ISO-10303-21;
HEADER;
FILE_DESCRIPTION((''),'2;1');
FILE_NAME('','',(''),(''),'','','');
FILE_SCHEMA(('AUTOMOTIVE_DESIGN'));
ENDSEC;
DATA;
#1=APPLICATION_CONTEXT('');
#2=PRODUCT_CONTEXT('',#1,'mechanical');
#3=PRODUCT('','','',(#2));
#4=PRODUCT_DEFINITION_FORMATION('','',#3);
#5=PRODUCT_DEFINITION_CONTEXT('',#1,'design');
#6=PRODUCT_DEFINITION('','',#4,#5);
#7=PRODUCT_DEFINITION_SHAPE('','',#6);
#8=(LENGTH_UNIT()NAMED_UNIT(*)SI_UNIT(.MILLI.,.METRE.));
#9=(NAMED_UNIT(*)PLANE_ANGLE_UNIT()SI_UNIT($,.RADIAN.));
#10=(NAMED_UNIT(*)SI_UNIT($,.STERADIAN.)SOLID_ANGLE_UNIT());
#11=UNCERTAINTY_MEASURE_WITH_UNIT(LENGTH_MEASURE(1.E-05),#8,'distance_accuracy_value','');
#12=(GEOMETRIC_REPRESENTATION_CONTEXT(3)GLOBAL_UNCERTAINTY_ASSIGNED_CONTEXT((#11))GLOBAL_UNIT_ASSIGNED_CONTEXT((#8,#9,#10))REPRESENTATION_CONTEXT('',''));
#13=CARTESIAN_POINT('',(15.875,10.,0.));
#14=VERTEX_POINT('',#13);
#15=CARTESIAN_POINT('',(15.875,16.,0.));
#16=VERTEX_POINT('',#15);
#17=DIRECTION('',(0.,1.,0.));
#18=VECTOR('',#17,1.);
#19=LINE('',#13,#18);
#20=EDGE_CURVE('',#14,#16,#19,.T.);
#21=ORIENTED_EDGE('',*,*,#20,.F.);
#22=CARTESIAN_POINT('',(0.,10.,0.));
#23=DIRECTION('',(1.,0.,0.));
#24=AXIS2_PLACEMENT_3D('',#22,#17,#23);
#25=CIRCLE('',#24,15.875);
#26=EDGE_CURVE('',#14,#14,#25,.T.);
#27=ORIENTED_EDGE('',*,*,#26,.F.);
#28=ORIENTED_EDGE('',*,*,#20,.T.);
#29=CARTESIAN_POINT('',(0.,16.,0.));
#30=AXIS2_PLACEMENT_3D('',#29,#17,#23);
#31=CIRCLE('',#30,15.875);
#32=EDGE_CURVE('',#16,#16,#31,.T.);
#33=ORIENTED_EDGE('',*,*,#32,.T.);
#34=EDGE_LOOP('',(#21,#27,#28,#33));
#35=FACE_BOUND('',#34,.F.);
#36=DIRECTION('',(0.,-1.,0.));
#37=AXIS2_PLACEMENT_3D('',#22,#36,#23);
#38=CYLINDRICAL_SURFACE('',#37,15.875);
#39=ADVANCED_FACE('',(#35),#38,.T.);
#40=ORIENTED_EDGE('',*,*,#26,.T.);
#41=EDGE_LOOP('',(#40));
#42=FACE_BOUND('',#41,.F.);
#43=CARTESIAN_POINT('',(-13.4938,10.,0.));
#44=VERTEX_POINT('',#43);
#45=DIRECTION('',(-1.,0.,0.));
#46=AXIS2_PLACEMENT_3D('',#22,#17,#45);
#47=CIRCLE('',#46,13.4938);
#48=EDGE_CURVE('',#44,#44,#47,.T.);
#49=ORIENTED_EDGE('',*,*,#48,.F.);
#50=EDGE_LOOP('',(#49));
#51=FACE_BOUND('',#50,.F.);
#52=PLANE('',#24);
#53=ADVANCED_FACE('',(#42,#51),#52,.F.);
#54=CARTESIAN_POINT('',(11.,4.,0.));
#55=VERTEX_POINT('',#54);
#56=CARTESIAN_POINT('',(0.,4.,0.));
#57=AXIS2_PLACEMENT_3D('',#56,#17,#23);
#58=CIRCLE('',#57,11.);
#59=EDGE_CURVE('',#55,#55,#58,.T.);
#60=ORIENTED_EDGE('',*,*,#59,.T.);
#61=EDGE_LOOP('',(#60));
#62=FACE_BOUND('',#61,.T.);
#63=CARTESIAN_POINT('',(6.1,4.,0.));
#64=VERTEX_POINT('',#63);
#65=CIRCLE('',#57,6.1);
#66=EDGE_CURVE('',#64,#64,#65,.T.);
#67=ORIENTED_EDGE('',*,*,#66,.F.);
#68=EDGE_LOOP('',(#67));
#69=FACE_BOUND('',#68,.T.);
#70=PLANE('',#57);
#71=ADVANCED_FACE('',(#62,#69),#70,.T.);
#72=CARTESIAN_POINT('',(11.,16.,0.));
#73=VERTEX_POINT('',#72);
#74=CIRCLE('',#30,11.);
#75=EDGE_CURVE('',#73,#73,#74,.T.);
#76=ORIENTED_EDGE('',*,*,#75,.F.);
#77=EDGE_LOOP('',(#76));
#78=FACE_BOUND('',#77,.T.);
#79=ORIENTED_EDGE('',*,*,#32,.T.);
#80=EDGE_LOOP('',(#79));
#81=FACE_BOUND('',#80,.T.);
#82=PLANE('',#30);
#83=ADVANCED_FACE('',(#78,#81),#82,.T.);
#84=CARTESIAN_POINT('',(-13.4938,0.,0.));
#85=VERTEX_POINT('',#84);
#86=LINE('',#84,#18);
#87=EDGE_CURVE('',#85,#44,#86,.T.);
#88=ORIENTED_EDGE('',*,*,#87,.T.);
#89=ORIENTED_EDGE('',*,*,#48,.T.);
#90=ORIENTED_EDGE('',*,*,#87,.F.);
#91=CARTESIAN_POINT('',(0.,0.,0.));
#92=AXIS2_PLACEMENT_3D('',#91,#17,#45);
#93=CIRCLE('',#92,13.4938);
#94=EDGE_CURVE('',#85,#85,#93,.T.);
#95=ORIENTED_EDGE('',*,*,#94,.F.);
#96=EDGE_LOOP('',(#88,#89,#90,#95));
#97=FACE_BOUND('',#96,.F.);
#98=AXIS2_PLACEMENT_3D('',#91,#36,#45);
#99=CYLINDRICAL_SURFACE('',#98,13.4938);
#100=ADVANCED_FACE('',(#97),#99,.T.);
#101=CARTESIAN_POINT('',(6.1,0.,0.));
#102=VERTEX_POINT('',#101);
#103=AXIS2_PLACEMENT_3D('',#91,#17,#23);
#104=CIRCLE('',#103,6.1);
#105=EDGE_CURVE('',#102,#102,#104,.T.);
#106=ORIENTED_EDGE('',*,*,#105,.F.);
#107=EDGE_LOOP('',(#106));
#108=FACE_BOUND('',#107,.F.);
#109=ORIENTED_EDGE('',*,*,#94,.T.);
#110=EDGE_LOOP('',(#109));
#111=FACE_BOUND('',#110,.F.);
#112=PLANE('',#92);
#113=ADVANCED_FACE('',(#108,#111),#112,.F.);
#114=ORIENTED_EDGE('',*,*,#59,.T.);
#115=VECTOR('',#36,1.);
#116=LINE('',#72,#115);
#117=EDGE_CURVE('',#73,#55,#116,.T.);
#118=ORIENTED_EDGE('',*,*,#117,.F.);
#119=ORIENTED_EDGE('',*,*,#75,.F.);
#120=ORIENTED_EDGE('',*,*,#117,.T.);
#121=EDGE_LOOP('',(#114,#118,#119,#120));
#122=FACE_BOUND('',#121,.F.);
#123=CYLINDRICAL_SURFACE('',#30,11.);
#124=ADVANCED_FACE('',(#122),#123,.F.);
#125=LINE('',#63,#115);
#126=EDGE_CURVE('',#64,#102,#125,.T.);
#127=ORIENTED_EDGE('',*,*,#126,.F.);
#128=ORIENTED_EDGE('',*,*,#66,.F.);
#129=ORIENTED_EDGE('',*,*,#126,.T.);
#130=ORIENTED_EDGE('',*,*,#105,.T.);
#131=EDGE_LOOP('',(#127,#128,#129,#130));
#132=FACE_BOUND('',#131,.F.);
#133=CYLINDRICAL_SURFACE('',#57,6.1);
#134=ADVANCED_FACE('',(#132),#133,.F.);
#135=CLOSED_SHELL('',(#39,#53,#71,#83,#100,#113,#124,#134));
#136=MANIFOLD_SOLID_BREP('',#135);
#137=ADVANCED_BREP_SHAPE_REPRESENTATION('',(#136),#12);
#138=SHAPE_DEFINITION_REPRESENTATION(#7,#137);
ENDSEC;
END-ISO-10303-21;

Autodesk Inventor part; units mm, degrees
ref_plane "YZ Plane" through (0, 0, 0) normal (1, 0, 0) x (0, 1, 0)
ref_plane "XZ Plane" through (0, 0, 0) normal (0, 1, 0) x (-1, 0, 0)
ref_plane "XY Plane" through (0, 0, 0) normal (0, 0, 1) x (1, 0, 0)
sketch "Sketch1" plane through (0, 0, 0) normal (0, 1, 0) x (-1, 0, 0)
  circle A0 centre (0, 0) radius 13.4938
  dimension "d0" = 26.9875
extrude "Extrusion1" add sketch "Sketch1" along normal blind 10
sketch "Sketch2" plane through (0, 10, 0) normal (0, 1, 0) x (1, 0, 0)
  circle A0 centre (0, 0) radius 13.4938 projected
  circle A1 centre (0, 0) radius 15.875
  dimension "d3" = 31.75
extrude "Extrusion2" add sketch "Sketch2" along normal blind 6 contours A0 | A1
sketch "Sketch3" plane through (0, 16, 0) normal (0, 1, 0) x (1, 0, 0)
  circle A0 centre (0, 0) radius 11
  dimension "d6" = 22
extrude "Extrusion3" cut sketch "Sketch3" against normal blind 12
sketch "Sketch4" plane through (0, 4, 0) normal (0, 1, 0) x (1, 0, 0)
  circle A0 centre (0, 0) radius 6.1
  dimension "d9" = 12.2
extrude "Extrusion4" cut sketch "Sketch4" against normal blind 4
properties part number "Switch Cap" material "Polycarbonate, Clear"
